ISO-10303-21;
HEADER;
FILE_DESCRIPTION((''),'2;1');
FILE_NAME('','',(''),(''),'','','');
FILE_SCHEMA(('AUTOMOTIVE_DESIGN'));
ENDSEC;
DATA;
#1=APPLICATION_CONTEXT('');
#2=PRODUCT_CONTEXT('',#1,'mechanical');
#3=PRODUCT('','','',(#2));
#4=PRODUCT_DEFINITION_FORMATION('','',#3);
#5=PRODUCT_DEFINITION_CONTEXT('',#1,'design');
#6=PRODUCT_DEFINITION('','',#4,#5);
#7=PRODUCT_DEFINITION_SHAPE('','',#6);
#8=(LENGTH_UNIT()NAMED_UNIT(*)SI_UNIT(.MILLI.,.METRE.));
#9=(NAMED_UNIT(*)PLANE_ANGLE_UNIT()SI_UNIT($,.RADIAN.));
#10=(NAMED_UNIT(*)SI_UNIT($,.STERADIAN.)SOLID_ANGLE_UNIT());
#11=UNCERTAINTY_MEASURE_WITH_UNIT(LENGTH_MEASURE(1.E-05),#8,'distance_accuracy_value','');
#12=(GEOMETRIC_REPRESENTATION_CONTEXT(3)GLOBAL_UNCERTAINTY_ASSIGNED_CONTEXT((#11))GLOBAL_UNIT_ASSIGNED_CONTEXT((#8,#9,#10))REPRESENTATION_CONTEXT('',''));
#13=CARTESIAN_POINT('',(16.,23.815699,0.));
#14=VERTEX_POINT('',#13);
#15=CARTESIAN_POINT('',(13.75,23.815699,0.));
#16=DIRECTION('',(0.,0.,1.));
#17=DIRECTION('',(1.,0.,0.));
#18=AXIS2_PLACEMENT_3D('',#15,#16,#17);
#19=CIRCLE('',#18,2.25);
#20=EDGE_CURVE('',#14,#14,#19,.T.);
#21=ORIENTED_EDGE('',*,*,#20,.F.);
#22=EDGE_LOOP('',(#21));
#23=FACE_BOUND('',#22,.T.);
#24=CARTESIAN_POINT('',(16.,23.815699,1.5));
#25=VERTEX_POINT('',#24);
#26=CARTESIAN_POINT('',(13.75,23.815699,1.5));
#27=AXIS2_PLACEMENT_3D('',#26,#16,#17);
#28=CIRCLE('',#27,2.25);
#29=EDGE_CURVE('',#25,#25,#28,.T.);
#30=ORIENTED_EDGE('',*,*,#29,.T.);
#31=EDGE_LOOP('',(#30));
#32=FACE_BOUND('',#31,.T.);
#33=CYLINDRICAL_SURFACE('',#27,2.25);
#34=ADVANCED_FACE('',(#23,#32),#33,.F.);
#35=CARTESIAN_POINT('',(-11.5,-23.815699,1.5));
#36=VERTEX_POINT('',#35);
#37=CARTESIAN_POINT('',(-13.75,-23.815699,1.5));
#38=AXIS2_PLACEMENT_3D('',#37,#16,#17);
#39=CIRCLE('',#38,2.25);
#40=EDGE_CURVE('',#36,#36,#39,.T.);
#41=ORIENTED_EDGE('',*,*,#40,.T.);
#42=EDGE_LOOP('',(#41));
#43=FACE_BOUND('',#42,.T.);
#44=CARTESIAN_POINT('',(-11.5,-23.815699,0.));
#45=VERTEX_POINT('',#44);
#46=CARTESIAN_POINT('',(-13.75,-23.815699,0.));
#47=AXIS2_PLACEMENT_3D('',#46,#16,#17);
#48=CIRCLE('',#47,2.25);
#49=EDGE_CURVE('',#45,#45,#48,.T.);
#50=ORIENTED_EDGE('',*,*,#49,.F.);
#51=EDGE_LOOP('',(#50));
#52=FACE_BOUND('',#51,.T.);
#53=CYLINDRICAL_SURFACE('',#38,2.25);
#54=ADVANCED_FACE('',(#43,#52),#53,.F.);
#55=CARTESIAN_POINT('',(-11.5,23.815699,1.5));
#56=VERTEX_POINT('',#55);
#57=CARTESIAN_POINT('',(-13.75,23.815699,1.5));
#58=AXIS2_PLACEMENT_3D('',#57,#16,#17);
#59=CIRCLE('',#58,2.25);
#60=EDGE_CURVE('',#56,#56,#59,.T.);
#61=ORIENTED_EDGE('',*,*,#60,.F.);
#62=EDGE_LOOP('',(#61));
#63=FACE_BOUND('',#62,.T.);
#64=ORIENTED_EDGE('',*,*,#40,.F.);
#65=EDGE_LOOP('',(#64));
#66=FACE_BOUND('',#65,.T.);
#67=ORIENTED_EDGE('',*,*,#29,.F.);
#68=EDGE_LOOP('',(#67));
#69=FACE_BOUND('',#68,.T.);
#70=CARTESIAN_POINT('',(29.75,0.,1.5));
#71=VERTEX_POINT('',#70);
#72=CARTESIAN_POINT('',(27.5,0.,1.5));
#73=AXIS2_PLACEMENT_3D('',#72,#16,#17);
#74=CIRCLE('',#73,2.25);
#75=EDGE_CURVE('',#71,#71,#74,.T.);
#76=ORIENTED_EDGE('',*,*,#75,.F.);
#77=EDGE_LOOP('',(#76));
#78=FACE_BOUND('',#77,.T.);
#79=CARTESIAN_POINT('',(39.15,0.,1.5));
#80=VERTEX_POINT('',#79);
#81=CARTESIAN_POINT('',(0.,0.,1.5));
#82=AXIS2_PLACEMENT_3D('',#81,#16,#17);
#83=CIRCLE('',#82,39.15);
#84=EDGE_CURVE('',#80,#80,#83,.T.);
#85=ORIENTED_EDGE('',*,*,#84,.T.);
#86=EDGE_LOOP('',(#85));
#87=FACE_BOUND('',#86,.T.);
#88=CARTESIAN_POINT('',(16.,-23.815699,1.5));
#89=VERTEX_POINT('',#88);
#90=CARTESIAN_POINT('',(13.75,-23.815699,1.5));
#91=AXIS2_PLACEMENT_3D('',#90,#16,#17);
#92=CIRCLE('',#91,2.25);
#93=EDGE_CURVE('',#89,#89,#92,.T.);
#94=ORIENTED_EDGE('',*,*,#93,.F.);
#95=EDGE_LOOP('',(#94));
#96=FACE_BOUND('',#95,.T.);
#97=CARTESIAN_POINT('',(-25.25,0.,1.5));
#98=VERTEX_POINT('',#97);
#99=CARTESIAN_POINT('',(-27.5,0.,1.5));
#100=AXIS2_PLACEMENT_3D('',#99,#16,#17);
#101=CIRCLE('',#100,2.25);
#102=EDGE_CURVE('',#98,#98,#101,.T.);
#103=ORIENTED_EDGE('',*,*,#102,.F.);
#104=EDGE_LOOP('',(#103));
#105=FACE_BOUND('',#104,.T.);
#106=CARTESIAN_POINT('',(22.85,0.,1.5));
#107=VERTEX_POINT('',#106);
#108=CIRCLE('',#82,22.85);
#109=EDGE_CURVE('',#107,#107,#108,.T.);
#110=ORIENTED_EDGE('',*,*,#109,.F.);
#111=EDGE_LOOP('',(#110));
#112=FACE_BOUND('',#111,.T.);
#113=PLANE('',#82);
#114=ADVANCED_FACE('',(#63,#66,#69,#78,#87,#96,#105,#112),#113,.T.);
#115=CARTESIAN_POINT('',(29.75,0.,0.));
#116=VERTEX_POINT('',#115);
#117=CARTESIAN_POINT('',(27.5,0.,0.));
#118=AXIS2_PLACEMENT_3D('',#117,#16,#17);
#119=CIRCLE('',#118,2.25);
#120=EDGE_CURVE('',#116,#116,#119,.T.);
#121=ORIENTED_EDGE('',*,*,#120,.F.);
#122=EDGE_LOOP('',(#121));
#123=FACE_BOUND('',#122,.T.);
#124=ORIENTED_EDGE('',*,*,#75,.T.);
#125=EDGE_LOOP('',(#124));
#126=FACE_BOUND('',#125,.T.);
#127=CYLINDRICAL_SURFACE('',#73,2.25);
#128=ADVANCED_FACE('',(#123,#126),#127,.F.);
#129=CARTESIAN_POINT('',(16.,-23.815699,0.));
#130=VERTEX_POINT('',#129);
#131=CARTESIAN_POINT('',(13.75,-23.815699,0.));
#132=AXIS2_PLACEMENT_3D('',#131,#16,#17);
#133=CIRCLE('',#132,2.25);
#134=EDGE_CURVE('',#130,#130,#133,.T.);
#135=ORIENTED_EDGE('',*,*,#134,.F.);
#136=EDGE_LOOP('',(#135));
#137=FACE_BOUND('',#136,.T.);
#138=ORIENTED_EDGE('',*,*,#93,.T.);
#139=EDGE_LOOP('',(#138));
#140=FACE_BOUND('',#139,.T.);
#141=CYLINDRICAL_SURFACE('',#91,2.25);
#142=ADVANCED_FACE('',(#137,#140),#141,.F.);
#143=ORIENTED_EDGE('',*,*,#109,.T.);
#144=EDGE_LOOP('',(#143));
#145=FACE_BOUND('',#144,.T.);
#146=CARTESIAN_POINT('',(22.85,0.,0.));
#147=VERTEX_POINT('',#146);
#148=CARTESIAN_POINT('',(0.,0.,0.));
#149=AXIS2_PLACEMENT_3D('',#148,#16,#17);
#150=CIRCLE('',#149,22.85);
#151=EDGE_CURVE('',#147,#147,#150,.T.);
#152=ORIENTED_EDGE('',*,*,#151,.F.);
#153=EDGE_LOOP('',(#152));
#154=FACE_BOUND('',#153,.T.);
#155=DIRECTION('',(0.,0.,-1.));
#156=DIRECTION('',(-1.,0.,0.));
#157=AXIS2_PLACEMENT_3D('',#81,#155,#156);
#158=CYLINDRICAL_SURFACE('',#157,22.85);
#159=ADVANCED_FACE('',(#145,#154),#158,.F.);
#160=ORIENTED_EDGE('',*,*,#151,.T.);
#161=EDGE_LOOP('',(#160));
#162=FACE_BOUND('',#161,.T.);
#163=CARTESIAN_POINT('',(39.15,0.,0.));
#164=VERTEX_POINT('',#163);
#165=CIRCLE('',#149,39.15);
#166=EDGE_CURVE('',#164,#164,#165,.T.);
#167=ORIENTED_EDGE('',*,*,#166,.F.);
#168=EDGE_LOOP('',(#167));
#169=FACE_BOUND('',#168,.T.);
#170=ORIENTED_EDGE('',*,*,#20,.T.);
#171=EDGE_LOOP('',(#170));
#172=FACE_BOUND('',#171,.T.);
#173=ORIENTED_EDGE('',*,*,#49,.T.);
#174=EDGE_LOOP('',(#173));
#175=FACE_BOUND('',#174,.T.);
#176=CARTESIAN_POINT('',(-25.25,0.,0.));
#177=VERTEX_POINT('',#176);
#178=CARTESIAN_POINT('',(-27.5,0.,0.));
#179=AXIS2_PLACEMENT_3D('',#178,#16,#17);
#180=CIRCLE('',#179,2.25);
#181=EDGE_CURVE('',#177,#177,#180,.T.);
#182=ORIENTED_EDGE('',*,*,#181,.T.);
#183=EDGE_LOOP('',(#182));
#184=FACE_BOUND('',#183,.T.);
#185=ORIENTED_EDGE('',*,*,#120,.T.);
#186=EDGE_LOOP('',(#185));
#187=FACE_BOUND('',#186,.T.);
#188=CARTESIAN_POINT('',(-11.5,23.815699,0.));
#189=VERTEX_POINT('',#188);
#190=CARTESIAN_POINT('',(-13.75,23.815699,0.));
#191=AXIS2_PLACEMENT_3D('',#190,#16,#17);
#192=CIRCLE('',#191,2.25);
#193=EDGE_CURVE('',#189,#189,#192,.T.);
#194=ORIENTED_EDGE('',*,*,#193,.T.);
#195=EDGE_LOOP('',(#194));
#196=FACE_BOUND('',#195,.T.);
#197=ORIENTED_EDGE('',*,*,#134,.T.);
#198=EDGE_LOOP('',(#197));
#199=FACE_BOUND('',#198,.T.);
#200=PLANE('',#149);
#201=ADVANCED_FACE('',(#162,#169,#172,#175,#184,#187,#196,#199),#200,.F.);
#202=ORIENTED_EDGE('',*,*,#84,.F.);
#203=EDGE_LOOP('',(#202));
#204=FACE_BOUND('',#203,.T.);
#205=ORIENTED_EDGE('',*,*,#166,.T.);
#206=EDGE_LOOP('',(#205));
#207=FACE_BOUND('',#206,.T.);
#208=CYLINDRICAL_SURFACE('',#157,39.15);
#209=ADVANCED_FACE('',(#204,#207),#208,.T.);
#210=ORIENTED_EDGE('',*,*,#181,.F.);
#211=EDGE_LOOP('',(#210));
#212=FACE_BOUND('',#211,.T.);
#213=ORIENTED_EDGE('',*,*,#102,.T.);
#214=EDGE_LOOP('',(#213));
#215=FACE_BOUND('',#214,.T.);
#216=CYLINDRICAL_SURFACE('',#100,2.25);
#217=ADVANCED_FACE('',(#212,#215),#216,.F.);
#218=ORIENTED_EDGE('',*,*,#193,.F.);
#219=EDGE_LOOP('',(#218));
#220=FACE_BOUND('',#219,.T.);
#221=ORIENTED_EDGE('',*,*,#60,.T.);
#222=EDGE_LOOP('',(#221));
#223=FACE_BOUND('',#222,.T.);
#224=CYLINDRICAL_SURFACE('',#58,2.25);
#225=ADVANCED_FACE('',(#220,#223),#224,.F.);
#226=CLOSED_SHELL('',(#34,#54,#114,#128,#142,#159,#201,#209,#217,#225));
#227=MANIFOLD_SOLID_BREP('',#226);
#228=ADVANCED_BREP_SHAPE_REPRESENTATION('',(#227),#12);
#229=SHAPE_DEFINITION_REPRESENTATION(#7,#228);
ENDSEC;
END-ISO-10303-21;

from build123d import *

# Parameters (mm, degrees)
SKIZZE1_R                       = 39.15
SKIZZE1_R_2                     = 22.85
AUFSATZ_LINEAR_AUSTRAGEN1_DEPTH = 1.5
DURCHGANGSLOCH_F_R_M41_D        = 4.5


with BuildPart() as part:
    # Skizze1 → Aufsatz-Linear austragen1 (new body)
    with BuildSketch(Plane.XY):
        Circle(SKIZZE1_R)
        Circle(SKIZZE1_R_2, mode=Mode.SUBTRACT)
    extrude(amount=AUFSATZ_LINEAR_AUSTRAGEN1_DEPTH)

    # Durchgangsloch für M41 (through all)
    with Locations(Plane.XY.offset(1.5)):
        with Locations((27.5, 0), (13.75, -23.815698604), (-13.75, -23.815698604), (-27.5, 0), (-13.75, 23.815698604), (13.75, 23.815698604)):
            Hole(DURCHGANGSLOCH_F_R_M41_D / 2)


solid = part.part
